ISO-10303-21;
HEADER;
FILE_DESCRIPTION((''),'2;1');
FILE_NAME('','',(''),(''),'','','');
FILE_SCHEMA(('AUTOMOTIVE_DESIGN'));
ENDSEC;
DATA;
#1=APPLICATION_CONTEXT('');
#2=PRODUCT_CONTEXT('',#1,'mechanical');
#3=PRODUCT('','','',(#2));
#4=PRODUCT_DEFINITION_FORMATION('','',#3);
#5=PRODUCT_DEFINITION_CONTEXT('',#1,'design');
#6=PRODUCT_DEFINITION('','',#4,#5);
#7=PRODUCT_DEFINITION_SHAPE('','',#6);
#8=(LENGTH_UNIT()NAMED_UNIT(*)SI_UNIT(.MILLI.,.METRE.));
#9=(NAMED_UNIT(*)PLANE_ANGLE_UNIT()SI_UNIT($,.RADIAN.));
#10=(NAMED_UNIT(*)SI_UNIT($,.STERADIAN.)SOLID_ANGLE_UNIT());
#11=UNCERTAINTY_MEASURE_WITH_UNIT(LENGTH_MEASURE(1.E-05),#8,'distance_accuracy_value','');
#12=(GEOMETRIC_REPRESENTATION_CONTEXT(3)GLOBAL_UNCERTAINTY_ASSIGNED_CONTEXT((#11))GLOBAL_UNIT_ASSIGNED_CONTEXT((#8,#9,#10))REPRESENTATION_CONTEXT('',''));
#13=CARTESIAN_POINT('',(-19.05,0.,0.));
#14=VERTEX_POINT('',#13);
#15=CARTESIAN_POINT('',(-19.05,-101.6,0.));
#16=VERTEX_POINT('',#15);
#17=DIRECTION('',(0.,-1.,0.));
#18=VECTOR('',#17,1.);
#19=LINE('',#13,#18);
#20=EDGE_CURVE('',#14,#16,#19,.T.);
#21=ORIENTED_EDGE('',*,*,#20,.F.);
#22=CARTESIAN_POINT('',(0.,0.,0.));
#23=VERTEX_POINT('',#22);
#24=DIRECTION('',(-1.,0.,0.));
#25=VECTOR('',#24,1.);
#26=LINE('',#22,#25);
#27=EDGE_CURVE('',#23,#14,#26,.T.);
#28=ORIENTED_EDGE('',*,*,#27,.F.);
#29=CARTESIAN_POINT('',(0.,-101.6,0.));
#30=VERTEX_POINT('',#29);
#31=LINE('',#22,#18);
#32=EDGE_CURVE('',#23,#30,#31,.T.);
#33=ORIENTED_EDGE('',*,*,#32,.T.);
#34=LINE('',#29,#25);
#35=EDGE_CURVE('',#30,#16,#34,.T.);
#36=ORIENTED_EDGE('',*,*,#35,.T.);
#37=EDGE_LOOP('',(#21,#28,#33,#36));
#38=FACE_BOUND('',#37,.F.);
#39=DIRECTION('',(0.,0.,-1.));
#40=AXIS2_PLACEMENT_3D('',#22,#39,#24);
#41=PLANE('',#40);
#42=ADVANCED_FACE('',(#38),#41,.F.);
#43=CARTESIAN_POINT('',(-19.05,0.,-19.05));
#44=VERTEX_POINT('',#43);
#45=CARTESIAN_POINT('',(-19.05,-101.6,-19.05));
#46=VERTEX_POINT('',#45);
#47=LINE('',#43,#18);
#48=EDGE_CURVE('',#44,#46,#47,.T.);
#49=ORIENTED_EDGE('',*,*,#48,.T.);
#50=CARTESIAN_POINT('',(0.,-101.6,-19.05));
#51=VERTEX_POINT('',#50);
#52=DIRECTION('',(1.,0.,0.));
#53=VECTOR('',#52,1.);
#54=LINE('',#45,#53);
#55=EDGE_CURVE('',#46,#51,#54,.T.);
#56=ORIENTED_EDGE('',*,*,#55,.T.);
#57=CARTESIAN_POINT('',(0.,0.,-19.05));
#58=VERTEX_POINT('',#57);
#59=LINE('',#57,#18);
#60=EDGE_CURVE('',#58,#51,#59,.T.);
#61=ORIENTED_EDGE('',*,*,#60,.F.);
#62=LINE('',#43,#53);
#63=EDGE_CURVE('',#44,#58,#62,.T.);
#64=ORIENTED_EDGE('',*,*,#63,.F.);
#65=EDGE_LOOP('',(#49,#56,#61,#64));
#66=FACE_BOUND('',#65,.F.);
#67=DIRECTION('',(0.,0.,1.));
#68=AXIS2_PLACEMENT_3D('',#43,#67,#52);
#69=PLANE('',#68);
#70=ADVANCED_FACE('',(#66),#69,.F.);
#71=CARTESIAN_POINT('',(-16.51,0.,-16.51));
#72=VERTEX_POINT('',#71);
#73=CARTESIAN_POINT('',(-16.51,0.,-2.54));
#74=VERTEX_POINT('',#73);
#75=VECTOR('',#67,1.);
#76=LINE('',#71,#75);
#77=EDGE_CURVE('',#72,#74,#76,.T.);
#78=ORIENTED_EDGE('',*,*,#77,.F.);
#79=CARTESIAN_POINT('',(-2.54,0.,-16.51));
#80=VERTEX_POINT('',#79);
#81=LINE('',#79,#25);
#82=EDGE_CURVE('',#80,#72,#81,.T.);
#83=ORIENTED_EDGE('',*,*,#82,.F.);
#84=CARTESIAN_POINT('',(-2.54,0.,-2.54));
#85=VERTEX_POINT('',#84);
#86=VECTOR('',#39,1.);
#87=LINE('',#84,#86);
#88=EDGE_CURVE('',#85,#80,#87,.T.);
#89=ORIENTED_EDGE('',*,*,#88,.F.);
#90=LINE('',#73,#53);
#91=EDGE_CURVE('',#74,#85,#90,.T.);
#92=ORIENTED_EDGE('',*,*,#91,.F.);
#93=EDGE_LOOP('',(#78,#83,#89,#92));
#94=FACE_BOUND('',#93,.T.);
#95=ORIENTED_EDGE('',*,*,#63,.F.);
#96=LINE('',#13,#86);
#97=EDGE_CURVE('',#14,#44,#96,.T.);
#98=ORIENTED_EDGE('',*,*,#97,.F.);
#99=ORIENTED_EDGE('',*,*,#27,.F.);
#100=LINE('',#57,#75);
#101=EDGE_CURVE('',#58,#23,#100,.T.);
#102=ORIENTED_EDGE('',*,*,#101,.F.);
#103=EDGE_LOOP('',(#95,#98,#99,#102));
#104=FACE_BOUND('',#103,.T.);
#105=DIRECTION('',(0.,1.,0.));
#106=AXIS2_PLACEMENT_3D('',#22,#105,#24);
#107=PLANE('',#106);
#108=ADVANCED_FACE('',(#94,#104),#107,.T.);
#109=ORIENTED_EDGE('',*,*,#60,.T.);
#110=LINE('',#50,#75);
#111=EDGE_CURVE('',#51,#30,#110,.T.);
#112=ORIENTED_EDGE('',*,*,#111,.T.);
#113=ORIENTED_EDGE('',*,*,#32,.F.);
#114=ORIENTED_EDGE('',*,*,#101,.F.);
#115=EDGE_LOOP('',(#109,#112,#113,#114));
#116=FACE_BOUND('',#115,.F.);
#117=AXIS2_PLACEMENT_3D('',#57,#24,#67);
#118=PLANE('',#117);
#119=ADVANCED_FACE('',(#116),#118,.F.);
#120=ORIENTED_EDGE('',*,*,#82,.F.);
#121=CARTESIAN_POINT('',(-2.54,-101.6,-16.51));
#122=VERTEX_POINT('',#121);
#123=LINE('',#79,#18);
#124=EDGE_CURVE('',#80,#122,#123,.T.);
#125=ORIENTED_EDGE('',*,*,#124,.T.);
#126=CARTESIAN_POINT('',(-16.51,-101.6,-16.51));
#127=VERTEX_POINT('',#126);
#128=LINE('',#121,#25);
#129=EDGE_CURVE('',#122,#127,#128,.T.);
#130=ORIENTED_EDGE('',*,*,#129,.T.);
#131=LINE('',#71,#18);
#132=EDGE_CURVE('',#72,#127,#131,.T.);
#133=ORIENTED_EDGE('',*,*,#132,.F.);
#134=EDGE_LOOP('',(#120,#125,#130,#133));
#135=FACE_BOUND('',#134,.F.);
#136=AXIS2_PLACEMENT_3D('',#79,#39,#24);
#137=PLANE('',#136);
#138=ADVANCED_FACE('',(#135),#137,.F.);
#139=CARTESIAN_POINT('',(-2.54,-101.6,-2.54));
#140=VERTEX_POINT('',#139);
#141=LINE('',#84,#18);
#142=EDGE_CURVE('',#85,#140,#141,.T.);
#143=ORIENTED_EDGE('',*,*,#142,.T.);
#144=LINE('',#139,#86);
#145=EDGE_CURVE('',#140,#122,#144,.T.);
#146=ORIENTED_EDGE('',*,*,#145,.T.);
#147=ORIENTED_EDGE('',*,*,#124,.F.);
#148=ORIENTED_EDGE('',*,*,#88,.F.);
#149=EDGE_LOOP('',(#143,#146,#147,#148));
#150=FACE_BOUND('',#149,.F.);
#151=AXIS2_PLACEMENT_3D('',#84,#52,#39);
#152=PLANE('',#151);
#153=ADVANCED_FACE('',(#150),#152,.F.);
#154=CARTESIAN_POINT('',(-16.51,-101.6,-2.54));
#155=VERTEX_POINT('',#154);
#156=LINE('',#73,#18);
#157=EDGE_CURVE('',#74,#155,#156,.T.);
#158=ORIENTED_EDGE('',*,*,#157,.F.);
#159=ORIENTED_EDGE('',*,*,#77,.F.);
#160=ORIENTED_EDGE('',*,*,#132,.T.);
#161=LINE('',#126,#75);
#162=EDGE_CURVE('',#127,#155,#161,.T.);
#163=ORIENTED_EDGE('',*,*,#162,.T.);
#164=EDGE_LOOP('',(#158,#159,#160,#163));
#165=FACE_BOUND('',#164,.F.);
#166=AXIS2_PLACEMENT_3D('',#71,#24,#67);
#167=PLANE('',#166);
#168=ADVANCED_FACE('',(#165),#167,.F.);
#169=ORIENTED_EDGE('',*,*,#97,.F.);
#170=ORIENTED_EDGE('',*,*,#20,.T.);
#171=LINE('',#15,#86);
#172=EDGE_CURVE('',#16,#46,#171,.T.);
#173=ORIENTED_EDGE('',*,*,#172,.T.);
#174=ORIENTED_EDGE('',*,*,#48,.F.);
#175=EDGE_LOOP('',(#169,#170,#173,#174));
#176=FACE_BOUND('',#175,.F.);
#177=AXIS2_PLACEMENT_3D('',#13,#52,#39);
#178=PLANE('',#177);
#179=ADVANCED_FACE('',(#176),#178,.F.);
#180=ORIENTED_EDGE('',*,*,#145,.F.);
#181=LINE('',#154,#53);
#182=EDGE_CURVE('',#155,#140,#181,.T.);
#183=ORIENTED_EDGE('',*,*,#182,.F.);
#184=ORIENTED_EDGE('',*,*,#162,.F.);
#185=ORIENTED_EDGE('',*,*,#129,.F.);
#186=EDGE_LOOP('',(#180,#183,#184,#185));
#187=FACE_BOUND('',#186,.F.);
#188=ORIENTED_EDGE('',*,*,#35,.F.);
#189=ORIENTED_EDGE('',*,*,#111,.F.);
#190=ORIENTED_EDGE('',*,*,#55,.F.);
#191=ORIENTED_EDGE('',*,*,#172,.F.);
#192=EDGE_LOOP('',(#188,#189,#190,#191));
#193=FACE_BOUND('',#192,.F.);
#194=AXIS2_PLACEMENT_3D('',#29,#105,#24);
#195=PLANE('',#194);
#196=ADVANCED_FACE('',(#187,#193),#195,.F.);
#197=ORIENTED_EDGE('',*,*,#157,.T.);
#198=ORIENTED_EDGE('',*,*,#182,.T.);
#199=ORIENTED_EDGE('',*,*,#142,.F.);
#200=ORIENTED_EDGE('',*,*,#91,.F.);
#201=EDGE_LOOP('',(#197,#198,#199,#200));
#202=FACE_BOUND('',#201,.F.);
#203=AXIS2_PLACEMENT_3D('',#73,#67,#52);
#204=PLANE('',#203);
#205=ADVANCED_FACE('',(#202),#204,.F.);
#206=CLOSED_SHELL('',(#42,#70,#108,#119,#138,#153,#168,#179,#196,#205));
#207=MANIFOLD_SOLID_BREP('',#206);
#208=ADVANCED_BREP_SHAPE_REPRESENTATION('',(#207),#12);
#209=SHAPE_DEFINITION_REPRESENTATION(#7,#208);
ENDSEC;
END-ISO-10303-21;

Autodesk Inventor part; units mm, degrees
ref_plane "YZ Plane" through (0, 0, 0) normal (1, 0, 0) x (0, 1, 0)
ref_plane "XZ Plane" through (0, 0, 0) normal (0, 1, 0) x (-1, 0, 0)
ref_plane "XY Plane" through (0, 0, 0) normal (0, 0, 1) x (1, 0, 0)
sketch "Sketch1" plane through (0, 0, 0) normal (0, 1, 0) x (-1, 0, 0)
  line L0 (0, 0) -> (19.05, 0)
  line L1 (19.05, 0) -> (19.05, -19.05)
  line L2 (19.05, -19.05) -> (0, -19.05)
  line L3 (0, -19.05) -> (0, 0)
  line L4 (16.51, -16.51) -> (16.51, -2.54)
  line L5 (16.51, -2.54) -> (2.54, -2.54)
  line L6 (2.54, -2.54) -> (2.54, -16.51)
  line L7 (2.54, -16.51) -> (16.51, -16.51)
  dimension "d0" = 19.05
  dimension "d1" = 19.05
  dimension "d2" = 2.54
extrude "Extrusion1" add sketch "Sketch1" against normal blind 101.6
properties part number "Aluminum channel2"
